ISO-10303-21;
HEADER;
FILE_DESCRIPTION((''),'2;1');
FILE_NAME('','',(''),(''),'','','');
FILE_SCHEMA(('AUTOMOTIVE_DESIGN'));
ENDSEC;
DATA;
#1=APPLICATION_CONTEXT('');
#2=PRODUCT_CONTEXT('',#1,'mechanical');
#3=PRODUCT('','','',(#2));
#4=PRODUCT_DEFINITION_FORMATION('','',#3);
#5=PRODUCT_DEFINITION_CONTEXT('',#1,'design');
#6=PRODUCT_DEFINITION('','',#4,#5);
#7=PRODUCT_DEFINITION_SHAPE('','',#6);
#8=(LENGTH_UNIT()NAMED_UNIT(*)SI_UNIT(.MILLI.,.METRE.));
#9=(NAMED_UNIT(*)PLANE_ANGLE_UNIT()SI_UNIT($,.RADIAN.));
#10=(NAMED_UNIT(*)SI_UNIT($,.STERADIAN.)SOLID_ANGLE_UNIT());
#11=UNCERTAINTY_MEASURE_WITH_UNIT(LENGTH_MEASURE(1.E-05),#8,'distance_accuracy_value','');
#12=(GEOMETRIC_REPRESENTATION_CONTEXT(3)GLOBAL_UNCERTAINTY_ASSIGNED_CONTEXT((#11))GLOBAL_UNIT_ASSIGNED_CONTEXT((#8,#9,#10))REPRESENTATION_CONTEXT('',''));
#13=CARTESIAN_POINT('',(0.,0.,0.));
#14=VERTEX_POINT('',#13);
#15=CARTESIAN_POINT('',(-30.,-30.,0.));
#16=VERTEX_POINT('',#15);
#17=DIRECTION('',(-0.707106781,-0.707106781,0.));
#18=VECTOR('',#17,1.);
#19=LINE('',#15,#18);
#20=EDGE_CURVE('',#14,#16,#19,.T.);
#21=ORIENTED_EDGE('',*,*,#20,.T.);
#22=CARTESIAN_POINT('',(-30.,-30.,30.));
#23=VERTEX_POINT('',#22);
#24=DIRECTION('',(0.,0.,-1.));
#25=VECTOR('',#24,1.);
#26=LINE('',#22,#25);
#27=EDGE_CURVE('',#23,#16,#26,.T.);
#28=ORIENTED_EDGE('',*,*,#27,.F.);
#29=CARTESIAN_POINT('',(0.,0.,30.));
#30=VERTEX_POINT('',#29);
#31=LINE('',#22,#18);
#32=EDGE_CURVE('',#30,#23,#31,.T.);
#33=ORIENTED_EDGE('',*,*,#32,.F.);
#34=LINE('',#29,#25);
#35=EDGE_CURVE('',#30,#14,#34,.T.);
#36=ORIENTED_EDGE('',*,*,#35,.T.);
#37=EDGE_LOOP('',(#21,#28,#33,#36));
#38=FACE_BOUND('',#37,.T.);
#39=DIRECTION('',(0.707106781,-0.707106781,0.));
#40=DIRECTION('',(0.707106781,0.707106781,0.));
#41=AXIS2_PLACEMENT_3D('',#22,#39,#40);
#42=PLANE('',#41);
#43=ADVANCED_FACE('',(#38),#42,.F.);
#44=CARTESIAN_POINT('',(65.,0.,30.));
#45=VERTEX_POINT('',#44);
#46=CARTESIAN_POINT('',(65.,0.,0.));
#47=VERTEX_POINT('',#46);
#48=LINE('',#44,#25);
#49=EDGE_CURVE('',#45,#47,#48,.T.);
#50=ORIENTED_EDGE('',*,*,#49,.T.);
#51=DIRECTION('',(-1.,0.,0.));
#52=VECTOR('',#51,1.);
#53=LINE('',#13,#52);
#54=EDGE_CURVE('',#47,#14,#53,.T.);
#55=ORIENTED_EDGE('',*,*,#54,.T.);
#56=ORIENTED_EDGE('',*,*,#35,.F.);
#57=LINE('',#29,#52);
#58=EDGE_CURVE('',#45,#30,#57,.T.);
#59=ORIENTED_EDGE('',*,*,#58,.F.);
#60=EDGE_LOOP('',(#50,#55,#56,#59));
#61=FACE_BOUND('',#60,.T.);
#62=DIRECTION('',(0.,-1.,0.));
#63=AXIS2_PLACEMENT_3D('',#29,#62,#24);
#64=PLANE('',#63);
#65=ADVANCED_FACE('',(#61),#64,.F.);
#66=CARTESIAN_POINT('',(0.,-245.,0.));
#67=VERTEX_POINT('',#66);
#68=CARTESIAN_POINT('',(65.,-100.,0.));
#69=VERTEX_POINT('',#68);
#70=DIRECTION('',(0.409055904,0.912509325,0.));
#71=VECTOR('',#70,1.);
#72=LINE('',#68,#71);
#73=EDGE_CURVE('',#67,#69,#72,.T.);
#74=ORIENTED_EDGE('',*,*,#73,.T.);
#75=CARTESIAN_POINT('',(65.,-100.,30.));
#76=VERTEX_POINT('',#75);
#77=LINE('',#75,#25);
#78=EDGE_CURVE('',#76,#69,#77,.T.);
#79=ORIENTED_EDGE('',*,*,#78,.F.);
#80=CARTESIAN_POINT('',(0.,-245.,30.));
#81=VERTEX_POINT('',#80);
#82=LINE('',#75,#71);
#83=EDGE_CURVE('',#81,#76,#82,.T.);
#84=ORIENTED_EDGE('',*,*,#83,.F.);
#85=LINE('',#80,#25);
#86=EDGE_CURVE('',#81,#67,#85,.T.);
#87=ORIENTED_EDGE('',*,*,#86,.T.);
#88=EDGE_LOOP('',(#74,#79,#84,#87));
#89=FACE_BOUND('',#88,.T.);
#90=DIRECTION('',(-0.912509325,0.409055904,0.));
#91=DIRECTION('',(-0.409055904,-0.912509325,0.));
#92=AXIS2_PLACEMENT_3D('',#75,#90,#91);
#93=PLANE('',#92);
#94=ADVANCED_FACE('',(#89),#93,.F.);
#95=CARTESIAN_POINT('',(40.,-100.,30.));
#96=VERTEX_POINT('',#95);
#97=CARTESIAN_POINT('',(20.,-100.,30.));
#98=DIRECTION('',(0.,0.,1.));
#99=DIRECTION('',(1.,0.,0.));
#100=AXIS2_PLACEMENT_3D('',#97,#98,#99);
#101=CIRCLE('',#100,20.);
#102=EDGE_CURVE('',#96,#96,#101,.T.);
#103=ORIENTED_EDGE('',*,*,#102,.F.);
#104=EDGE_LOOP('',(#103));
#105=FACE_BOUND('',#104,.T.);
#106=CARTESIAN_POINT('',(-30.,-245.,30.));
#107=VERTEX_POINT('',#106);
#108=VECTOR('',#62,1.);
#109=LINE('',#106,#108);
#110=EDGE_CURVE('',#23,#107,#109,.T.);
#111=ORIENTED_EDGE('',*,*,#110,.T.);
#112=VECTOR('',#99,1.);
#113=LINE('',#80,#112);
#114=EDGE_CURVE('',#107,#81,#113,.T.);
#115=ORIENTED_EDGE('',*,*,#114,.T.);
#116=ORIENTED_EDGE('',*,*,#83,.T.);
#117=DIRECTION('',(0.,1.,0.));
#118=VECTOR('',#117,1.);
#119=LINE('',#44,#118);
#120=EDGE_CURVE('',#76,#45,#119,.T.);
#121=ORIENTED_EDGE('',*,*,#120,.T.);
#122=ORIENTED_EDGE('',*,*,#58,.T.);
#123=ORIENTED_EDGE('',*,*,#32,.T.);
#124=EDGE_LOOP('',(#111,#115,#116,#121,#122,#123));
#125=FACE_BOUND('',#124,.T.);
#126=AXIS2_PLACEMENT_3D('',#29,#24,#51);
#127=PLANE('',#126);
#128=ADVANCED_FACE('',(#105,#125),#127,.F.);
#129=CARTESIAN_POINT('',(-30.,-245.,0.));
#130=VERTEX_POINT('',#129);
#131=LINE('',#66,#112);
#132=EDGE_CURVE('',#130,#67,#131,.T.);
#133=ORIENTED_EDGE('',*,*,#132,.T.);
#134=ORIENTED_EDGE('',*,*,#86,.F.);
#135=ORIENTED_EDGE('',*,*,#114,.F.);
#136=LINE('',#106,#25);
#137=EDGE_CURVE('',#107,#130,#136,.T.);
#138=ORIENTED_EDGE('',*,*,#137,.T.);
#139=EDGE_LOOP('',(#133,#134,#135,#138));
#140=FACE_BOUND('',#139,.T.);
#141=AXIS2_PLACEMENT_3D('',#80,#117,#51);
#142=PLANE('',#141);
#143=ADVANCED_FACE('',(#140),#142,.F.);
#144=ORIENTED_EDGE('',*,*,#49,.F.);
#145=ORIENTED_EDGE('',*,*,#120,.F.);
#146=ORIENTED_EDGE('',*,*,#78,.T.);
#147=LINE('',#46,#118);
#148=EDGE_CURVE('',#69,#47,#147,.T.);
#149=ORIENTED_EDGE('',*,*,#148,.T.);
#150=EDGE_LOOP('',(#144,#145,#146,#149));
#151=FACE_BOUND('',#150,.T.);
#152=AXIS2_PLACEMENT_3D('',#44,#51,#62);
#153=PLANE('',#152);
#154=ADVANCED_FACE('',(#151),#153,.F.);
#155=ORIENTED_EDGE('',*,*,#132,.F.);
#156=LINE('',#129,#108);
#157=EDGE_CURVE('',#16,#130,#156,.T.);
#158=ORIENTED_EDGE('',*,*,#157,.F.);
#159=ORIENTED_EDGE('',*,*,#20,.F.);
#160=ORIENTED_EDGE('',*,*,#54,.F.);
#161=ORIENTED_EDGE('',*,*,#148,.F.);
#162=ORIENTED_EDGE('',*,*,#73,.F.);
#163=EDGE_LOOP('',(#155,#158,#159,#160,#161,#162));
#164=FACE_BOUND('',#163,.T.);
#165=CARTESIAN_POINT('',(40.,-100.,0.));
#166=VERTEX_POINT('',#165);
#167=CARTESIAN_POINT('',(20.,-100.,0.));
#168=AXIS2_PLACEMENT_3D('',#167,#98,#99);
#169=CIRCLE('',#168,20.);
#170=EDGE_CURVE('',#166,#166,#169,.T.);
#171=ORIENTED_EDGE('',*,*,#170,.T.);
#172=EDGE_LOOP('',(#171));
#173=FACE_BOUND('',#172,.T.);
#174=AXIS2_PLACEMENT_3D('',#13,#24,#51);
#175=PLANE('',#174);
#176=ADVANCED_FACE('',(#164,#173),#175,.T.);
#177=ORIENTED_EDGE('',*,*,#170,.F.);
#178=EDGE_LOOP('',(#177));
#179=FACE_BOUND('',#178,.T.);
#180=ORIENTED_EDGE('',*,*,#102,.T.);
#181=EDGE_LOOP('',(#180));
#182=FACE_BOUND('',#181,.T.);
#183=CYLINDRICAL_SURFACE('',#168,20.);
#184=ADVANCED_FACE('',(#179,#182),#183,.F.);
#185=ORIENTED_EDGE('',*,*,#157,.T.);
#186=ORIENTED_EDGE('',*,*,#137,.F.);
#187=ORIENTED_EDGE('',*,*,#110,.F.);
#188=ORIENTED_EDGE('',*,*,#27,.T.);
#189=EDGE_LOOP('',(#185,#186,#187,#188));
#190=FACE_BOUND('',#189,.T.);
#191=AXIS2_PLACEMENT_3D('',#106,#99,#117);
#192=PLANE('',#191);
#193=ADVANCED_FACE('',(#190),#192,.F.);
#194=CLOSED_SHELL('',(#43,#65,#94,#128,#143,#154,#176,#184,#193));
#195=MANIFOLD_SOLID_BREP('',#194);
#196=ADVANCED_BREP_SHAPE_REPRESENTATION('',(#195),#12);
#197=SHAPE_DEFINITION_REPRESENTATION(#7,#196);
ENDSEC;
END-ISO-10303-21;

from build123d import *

# Parameters (mm, degrees)
EXTRUDE_1_DEPTH     = 30
SKETCH_2_R          = 20
CUT_EXTRUDE_1_DEPTH = 256.244980362


with BuildPart() as part:
    # 草图1 → 凸台-拉伸1 (new body)
    with BuildSketch(Plane.XY):
        Polygon((0, 0), (65, 0), (65, -100), (0, -245), (-30, -245), (-30, -30), align=None)
    extrude(amount=EXTRUDE_1_DEPTH)

    # 草图2 → 切除-拉伸1 (cut, through all)
    with BuildSketch(Plane.XY.offset(30)):
        with Locations((20, -100)):
            Circle(SKETCH_2_R)
    extrude(amount=-CUT_EXTRUDE_1_DEPTH, mode=Mode.SUBTRACT)


solid = part.part
